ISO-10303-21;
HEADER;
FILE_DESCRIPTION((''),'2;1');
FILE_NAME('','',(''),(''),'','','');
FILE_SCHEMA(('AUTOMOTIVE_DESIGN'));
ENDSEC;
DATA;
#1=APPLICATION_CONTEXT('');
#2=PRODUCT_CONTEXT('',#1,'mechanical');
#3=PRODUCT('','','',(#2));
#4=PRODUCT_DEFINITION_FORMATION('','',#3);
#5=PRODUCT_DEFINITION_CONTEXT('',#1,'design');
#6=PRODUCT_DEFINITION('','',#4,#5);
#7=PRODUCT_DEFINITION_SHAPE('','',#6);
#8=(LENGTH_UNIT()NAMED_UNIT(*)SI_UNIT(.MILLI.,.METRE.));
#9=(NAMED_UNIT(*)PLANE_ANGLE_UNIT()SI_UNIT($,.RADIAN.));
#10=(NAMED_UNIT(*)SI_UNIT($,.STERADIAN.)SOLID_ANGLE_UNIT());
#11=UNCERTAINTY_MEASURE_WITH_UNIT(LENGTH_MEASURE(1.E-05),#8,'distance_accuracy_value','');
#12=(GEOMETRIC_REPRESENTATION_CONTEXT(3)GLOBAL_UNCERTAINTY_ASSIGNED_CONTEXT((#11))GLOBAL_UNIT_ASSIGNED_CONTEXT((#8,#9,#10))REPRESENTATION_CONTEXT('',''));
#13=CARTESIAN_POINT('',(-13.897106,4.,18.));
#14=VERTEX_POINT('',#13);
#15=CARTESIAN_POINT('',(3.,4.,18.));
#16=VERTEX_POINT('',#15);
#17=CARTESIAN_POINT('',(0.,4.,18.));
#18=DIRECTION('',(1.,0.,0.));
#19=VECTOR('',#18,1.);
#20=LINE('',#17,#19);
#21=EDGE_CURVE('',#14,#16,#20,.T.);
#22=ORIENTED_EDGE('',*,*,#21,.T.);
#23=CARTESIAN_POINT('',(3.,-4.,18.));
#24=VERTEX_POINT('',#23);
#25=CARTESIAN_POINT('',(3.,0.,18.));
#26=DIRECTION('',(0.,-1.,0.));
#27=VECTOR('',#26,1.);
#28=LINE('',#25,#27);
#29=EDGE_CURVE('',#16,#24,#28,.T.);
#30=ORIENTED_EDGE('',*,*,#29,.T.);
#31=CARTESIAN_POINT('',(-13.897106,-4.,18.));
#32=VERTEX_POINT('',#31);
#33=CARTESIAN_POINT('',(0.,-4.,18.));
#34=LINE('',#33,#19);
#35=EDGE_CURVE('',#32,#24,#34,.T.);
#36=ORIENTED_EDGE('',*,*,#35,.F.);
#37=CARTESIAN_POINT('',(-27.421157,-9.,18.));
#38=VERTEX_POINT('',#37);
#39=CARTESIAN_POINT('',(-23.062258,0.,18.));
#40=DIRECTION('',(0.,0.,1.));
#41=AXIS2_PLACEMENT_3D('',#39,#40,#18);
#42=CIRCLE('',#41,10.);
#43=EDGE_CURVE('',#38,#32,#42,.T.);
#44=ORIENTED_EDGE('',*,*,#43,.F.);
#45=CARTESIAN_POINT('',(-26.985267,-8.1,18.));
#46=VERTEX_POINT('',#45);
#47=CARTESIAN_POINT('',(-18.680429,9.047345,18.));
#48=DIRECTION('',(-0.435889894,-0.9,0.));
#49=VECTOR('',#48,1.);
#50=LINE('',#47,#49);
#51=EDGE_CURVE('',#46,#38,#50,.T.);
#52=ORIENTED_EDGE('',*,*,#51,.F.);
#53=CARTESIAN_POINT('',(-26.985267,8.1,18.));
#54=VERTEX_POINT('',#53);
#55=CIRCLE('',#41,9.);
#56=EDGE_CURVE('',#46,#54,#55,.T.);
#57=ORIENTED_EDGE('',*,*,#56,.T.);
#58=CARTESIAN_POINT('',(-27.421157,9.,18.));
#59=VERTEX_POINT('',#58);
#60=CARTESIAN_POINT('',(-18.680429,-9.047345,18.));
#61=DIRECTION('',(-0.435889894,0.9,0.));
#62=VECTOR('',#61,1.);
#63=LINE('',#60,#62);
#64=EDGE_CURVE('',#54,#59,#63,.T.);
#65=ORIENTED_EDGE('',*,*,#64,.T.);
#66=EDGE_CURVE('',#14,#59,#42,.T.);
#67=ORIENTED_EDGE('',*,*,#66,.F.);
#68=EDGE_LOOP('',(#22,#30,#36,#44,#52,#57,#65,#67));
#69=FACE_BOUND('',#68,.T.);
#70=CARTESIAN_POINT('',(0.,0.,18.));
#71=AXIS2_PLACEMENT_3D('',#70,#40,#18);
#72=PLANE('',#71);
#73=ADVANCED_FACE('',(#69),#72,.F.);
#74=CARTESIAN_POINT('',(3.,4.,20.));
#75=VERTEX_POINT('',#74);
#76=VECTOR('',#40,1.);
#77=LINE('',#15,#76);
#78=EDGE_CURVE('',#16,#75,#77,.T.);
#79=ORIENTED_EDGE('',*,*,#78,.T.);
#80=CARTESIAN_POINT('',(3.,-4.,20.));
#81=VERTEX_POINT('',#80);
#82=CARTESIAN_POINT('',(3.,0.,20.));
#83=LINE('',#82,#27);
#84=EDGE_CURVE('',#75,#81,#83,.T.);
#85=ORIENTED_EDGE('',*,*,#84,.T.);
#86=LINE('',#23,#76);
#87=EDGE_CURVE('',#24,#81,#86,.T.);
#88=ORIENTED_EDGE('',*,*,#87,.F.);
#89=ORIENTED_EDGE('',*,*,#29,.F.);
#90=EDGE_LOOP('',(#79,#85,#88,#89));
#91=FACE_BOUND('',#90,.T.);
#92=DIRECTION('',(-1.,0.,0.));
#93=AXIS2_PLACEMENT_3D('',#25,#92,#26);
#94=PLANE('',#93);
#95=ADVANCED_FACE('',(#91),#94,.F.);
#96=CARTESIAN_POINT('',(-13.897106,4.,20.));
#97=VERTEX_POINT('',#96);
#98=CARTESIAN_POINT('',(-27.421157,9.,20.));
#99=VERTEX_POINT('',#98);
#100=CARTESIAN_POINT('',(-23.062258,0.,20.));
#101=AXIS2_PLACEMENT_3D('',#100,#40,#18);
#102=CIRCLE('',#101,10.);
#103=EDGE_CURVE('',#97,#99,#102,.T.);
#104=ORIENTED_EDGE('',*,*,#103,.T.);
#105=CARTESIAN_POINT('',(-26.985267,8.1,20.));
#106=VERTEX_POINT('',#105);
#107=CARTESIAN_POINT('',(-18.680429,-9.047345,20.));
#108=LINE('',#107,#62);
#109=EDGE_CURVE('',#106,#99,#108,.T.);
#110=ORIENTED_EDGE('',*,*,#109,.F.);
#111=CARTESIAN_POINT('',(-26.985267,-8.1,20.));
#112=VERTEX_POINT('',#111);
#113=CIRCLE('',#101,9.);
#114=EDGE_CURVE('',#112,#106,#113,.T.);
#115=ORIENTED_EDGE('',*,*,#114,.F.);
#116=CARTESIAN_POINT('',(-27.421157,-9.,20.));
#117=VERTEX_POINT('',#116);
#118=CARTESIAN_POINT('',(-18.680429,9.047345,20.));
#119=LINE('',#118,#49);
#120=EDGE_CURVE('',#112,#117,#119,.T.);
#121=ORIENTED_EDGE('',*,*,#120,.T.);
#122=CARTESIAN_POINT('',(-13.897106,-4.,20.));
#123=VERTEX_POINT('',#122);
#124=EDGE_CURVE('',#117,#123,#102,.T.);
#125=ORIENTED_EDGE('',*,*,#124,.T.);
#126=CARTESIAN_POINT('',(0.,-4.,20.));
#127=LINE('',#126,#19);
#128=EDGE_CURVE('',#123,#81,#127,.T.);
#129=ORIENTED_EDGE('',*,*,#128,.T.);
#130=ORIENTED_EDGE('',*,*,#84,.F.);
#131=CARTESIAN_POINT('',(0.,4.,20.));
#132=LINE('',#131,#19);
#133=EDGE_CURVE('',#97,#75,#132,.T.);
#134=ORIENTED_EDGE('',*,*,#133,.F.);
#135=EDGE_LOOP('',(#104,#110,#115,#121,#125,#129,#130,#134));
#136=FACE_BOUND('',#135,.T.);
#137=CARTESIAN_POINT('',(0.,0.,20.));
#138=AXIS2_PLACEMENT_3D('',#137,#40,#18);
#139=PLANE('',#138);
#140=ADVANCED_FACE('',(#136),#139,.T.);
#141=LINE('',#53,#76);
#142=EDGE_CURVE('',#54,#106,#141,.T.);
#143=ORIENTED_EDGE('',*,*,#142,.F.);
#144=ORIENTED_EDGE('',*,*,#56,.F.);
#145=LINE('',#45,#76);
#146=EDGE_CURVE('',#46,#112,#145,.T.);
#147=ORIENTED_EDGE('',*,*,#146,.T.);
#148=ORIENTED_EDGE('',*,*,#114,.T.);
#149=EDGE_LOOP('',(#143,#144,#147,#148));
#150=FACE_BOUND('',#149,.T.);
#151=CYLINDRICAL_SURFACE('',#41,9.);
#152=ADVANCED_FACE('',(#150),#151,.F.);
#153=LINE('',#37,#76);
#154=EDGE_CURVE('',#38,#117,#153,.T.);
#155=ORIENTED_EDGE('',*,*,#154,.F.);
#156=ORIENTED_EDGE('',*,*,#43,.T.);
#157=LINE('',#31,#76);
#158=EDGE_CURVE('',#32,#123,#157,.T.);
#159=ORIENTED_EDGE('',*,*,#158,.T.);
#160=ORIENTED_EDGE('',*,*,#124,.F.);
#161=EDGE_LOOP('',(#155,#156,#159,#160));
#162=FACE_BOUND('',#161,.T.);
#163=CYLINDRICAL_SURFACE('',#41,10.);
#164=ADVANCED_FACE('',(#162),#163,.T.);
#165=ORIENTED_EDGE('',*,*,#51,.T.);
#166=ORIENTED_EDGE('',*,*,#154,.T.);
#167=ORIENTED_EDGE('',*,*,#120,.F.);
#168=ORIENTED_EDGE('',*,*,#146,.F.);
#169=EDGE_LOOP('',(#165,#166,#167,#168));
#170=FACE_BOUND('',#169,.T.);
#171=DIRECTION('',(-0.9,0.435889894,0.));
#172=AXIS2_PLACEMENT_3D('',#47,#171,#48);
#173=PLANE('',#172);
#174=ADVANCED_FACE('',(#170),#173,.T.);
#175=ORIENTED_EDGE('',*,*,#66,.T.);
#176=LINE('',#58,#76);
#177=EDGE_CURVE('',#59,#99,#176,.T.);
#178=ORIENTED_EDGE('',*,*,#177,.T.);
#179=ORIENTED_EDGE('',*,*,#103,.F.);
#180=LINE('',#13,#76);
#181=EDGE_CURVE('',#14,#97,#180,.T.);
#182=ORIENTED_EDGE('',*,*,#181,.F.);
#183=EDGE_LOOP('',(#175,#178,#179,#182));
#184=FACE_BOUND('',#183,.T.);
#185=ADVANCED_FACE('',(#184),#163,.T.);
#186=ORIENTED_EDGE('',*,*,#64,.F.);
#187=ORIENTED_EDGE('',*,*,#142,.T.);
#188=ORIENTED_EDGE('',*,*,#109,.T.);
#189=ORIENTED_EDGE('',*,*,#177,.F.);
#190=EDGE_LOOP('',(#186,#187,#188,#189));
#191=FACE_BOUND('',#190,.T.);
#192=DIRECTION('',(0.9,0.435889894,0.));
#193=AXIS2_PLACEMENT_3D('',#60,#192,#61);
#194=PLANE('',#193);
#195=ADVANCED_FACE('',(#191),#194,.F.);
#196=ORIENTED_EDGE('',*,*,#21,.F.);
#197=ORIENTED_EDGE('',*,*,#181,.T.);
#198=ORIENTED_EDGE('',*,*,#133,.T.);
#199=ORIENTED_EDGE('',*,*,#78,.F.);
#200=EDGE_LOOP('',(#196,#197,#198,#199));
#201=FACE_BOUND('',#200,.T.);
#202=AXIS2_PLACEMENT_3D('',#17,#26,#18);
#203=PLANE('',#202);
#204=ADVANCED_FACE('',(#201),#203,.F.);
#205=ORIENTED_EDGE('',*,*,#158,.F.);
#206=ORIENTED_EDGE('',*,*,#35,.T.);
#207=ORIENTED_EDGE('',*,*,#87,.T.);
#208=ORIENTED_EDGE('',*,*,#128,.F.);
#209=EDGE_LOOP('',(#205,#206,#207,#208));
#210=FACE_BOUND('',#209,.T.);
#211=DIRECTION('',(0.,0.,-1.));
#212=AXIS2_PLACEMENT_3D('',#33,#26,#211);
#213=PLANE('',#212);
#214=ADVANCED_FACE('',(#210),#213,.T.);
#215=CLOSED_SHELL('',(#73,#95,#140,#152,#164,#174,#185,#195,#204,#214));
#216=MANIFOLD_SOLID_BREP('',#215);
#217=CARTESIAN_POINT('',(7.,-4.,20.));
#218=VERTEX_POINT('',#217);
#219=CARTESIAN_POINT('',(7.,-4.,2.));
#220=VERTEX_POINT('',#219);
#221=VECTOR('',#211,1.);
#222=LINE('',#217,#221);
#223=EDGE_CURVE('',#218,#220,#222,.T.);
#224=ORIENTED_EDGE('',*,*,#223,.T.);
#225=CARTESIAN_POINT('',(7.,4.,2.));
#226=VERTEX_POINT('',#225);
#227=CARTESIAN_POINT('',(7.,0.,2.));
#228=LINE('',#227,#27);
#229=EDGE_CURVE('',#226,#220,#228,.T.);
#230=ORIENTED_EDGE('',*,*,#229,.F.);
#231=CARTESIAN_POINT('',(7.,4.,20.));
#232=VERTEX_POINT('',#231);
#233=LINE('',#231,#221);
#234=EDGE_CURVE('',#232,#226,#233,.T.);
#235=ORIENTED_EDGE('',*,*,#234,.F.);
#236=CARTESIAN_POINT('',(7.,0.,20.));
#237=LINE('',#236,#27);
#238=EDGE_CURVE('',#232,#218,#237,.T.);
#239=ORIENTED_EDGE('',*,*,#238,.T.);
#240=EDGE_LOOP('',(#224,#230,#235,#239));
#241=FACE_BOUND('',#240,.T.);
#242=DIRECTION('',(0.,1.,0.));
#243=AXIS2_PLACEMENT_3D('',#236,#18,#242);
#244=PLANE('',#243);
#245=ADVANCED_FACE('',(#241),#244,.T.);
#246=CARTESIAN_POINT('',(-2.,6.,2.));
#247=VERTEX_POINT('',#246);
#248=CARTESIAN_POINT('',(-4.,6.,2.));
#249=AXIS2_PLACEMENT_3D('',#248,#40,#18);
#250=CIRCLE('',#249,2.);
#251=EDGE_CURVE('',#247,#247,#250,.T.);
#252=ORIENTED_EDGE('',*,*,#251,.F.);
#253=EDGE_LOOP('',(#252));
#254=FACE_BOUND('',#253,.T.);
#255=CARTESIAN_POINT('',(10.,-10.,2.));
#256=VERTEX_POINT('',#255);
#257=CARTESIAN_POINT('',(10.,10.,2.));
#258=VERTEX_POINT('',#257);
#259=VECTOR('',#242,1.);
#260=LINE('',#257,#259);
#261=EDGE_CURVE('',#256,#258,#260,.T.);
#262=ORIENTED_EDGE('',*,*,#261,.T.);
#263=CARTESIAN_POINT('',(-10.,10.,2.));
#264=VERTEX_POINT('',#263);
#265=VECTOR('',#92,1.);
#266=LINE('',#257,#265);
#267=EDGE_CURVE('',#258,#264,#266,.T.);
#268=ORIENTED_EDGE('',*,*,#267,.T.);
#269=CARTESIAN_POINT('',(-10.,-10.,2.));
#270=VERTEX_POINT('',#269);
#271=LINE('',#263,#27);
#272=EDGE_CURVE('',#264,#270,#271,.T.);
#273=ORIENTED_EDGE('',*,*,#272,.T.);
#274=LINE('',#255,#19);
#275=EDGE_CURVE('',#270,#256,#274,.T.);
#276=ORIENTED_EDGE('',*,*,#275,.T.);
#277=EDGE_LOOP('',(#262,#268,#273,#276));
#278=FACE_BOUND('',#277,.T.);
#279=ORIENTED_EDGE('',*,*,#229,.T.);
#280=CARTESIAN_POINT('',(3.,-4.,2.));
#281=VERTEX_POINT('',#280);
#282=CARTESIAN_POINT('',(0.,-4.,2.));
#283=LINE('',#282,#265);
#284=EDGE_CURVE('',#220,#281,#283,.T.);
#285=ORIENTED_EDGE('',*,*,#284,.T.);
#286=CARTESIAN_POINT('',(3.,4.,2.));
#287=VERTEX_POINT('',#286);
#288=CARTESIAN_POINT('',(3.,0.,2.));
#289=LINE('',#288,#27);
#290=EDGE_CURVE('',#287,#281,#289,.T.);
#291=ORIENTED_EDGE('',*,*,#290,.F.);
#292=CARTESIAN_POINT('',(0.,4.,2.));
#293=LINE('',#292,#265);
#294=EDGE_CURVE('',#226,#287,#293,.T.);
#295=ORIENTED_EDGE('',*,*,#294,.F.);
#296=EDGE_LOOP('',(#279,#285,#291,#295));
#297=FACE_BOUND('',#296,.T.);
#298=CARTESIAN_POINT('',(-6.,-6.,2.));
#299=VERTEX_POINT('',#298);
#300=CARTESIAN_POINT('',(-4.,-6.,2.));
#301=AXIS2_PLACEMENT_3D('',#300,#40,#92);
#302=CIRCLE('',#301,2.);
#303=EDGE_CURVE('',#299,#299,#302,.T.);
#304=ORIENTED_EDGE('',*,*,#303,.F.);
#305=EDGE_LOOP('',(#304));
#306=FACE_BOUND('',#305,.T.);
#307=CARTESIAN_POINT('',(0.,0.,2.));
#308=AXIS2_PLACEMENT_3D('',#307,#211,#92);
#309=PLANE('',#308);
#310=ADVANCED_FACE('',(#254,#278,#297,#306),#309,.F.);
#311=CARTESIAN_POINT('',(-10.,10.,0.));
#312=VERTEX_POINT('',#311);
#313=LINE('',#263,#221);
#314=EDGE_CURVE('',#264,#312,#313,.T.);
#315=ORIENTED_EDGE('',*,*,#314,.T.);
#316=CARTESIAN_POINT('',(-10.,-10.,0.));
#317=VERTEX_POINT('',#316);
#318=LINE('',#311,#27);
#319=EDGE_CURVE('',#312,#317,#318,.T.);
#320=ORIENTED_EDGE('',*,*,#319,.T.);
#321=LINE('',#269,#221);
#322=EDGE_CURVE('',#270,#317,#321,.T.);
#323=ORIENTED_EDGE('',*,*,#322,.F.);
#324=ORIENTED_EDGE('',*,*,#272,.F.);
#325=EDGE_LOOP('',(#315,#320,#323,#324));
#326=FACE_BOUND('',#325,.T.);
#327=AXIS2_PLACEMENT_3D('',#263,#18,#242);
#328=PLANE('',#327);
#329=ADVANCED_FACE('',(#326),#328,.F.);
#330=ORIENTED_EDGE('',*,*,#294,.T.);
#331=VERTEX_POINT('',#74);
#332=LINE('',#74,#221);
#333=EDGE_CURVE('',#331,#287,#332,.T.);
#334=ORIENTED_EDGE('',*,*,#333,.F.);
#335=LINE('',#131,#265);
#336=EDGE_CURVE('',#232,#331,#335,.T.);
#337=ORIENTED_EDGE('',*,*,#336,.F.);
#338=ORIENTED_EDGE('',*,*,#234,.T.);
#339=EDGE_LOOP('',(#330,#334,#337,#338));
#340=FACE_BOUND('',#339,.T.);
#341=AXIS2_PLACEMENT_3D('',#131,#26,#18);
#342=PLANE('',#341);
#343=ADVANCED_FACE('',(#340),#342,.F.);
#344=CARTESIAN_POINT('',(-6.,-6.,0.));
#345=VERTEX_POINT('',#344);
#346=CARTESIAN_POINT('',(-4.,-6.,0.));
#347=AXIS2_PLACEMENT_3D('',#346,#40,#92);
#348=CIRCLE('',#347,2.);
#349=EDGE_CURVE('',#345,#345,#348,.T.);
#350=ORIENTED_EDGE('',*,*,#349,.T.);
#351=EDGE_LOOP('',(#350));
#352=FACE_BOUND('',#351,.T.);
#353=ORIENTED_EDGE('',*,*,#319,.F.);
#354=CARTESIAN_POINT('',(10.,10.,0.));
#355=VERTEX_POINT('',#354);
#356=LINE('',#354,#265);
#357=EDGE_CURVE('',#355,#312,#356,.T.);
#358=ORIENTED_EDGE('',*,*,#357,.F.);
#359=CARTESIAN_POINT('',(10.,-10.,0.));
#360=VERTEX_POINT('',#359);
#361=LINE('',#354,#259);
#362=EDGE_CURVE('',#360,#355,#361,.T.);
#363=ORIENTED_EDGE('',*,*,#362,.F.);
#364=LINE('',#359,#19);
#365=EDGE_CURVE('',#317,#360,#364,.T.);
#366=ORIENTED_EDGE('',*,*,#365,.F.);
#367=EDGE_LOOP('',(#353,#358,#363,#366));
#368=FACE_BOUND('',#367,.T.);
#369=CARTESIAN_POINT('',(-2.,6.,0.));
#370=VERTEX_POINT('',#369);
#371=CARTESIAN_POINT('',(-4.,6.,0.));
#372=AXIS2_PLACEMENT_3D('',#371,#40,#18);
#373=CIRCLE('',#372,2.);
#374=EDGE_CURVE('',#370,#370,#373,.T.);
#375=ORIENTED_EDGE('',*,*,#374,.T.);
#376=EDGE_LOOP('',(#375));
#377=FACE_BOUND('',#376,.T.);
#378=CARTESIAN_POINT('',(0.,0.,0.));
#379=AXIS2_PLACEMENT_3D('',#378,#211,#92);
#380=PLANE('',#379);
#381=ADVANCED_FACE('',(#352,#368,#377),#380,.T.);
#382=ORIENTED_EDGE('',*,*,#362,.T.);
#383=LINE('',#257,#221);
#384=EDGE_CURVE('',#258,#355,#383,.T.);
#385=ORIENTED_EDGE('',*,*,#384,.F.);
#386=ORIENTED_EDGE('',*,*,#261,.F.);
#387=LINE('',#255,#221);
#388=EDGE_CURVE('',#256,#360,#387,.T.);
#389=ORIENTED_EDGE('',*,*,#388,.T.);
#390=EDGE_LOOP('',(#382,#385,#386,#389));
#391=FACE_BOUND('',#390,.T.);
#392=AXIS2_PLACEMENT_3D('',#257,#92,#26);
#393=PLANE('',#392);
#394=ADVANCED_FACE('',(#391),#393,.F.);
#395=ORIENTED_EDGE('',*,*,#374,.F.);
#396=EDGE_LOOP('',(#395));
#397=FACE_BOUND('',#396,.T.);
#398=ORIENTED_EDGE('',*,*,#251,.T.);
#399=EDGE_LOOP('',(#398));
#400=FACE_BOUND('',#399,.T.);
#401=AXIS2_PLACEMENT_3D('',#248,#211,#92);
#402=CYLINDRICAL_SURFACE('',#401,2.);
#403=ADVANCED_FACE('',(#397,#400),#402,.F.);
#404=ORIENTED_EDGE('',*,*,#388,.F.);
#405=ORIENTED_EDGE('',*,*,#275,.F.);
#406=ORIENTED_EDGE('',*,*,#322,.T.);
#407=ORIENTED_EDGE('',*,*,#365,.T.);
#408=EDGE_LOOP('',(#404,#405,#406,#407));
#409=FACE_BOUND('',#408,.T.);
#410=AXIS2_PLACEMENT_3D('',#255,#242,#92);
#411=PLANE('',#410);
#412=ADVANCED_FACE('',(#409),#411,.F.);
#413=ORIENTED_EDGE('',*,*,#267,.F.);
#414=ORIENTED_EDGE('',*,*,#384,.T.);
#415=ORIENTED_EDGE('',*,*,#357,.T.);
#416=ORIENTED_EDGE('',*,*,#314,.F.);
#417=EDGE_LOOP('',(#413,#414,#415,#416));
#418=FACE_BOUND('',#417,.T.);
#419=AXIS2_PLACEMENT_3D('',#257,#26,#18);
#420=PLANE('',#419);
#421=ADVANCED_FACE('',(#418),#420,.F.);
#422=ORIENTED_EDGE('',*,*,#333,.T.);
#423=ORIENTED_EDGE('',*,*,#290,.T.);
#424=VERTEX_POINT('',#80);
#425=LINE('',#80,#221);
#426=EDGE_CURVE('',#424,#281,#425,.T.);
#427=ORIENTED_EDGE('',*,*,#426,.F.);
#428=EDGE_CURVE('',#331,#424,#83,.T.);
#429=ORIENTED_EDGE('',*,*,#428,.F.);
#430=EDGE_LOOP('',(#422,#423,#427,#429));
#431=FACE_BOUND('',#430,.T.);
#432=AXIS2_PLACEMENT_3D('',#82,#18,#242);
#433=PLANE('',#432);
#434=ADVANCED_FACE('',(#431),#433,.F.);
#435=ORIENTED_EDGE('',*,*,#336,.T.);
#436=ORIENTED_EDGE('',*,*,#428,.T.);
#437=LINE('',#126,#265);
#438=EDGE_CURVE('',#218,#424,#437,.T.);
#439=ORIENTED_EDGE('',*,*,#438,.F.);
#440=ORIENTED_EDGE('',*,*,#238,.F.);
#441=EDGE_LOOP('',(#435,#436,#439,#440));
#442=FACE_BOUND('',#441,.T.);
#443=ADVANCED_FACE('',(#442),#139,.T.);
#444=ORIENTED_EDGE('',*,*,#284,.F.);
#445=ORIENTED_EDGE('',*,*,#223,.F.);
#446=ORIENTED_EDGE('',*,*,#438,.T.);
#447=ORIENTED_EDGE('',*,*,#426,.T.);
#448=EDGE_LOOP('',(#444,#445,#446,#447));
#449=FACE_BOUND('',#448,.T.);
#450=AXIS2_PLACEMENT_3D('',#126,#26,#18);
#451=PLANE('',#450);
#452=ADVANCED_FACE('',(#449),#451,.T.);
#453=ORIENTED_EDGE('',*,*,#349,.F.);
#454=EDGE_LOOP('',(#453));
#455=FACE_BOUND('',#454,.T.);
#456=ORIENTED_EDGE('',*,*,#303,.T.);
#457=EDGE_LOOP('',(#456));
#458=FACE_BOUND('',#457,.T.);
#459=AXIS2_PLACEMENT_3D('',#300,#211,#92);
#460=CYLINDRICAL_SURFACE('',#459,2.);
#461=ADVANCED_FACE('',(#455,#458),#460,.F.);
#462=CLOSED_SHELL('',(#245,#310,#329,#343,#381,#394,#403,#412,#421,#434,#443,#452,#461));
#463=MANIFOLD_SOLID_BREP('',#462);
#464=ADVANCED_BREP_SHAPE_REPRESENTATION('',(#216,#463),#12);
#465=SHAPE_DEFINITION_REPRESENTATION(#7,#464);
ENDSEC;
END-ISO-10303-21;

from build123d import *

# Parameters (mm, degrees)
SKETCH1_W           = 20
SKETCH1_H           = 20
SKETCH1_R           = 2
BOSS_EXTRUDE1_DEPTH = 2
SKETCH2_W           = 4
SKETCH2_H           = 8
BOSS_EXTRUDE2_DEPTH = 18
BOSS_EXTRUDE3_DEPTH = 2


with BuildPart() as part:
    # Sketch1 → Boss-Extrude1 (new body)
    with BuildSketch(Plane.XY):
        Rectangle(SKETCH1_W, SKETCH1_H)
        with Locations((-4, 6)):
            Circle(SKETCH1_R, mode=Mode.SUBTRACT)
        with Locations(Location((-4, -6, 0), (0, 0, 180))):
            Circle(SKETCH1_R, mode=Mode.SUBTRACT)
    extrude(amount=BOSS_EXTRUDE1_DEPTH)

    # Sketch2 → Boss-Extrude2 (add)
    with BuildSketch(Plane.XY.offset(2)):
        with Locations((5, 0)):
            Rectangle(SKETCH2_W, SKETCH2_H)
    extrude(amount=BOSS_EXTRUDE2_DEPTH)


with BuildPart() as body_2:
    # Sketch3 → Boss-Extrude3 (new body)
    with BuildSketch(Plane.XY.offset(20)):
        with BuildLine():
            ThreePointArc((-26.985266797, 8.1), (-14.062257748, 0), (-26.985266797, -8.1))
            Line((-26.985266797, -8.1), (-27.421156692, -9))
            ThreePointArc((-27.421156692, -9), (-19.594547316, -9.379498087), (-13.897106358, -4))
            Line((-13.897106358, -4), (3, -4))
            Line((3, -4), (3, 0))
            Line((3, 0), (3, 4))
            Line((3, 4), (-13.897106358, 4))
            ThreePointArc((-13.897106358, 4), (-19.594547316, 9.379498087), (-27.421156692, 9))
            Line((-27.421156692, 9), (-26.985266797, 8.1))
        make_face()
    extrude(amount=-BOSS_EXTRUDE3_DEPTH)


solid = Compound([part.part, body_2.part])
